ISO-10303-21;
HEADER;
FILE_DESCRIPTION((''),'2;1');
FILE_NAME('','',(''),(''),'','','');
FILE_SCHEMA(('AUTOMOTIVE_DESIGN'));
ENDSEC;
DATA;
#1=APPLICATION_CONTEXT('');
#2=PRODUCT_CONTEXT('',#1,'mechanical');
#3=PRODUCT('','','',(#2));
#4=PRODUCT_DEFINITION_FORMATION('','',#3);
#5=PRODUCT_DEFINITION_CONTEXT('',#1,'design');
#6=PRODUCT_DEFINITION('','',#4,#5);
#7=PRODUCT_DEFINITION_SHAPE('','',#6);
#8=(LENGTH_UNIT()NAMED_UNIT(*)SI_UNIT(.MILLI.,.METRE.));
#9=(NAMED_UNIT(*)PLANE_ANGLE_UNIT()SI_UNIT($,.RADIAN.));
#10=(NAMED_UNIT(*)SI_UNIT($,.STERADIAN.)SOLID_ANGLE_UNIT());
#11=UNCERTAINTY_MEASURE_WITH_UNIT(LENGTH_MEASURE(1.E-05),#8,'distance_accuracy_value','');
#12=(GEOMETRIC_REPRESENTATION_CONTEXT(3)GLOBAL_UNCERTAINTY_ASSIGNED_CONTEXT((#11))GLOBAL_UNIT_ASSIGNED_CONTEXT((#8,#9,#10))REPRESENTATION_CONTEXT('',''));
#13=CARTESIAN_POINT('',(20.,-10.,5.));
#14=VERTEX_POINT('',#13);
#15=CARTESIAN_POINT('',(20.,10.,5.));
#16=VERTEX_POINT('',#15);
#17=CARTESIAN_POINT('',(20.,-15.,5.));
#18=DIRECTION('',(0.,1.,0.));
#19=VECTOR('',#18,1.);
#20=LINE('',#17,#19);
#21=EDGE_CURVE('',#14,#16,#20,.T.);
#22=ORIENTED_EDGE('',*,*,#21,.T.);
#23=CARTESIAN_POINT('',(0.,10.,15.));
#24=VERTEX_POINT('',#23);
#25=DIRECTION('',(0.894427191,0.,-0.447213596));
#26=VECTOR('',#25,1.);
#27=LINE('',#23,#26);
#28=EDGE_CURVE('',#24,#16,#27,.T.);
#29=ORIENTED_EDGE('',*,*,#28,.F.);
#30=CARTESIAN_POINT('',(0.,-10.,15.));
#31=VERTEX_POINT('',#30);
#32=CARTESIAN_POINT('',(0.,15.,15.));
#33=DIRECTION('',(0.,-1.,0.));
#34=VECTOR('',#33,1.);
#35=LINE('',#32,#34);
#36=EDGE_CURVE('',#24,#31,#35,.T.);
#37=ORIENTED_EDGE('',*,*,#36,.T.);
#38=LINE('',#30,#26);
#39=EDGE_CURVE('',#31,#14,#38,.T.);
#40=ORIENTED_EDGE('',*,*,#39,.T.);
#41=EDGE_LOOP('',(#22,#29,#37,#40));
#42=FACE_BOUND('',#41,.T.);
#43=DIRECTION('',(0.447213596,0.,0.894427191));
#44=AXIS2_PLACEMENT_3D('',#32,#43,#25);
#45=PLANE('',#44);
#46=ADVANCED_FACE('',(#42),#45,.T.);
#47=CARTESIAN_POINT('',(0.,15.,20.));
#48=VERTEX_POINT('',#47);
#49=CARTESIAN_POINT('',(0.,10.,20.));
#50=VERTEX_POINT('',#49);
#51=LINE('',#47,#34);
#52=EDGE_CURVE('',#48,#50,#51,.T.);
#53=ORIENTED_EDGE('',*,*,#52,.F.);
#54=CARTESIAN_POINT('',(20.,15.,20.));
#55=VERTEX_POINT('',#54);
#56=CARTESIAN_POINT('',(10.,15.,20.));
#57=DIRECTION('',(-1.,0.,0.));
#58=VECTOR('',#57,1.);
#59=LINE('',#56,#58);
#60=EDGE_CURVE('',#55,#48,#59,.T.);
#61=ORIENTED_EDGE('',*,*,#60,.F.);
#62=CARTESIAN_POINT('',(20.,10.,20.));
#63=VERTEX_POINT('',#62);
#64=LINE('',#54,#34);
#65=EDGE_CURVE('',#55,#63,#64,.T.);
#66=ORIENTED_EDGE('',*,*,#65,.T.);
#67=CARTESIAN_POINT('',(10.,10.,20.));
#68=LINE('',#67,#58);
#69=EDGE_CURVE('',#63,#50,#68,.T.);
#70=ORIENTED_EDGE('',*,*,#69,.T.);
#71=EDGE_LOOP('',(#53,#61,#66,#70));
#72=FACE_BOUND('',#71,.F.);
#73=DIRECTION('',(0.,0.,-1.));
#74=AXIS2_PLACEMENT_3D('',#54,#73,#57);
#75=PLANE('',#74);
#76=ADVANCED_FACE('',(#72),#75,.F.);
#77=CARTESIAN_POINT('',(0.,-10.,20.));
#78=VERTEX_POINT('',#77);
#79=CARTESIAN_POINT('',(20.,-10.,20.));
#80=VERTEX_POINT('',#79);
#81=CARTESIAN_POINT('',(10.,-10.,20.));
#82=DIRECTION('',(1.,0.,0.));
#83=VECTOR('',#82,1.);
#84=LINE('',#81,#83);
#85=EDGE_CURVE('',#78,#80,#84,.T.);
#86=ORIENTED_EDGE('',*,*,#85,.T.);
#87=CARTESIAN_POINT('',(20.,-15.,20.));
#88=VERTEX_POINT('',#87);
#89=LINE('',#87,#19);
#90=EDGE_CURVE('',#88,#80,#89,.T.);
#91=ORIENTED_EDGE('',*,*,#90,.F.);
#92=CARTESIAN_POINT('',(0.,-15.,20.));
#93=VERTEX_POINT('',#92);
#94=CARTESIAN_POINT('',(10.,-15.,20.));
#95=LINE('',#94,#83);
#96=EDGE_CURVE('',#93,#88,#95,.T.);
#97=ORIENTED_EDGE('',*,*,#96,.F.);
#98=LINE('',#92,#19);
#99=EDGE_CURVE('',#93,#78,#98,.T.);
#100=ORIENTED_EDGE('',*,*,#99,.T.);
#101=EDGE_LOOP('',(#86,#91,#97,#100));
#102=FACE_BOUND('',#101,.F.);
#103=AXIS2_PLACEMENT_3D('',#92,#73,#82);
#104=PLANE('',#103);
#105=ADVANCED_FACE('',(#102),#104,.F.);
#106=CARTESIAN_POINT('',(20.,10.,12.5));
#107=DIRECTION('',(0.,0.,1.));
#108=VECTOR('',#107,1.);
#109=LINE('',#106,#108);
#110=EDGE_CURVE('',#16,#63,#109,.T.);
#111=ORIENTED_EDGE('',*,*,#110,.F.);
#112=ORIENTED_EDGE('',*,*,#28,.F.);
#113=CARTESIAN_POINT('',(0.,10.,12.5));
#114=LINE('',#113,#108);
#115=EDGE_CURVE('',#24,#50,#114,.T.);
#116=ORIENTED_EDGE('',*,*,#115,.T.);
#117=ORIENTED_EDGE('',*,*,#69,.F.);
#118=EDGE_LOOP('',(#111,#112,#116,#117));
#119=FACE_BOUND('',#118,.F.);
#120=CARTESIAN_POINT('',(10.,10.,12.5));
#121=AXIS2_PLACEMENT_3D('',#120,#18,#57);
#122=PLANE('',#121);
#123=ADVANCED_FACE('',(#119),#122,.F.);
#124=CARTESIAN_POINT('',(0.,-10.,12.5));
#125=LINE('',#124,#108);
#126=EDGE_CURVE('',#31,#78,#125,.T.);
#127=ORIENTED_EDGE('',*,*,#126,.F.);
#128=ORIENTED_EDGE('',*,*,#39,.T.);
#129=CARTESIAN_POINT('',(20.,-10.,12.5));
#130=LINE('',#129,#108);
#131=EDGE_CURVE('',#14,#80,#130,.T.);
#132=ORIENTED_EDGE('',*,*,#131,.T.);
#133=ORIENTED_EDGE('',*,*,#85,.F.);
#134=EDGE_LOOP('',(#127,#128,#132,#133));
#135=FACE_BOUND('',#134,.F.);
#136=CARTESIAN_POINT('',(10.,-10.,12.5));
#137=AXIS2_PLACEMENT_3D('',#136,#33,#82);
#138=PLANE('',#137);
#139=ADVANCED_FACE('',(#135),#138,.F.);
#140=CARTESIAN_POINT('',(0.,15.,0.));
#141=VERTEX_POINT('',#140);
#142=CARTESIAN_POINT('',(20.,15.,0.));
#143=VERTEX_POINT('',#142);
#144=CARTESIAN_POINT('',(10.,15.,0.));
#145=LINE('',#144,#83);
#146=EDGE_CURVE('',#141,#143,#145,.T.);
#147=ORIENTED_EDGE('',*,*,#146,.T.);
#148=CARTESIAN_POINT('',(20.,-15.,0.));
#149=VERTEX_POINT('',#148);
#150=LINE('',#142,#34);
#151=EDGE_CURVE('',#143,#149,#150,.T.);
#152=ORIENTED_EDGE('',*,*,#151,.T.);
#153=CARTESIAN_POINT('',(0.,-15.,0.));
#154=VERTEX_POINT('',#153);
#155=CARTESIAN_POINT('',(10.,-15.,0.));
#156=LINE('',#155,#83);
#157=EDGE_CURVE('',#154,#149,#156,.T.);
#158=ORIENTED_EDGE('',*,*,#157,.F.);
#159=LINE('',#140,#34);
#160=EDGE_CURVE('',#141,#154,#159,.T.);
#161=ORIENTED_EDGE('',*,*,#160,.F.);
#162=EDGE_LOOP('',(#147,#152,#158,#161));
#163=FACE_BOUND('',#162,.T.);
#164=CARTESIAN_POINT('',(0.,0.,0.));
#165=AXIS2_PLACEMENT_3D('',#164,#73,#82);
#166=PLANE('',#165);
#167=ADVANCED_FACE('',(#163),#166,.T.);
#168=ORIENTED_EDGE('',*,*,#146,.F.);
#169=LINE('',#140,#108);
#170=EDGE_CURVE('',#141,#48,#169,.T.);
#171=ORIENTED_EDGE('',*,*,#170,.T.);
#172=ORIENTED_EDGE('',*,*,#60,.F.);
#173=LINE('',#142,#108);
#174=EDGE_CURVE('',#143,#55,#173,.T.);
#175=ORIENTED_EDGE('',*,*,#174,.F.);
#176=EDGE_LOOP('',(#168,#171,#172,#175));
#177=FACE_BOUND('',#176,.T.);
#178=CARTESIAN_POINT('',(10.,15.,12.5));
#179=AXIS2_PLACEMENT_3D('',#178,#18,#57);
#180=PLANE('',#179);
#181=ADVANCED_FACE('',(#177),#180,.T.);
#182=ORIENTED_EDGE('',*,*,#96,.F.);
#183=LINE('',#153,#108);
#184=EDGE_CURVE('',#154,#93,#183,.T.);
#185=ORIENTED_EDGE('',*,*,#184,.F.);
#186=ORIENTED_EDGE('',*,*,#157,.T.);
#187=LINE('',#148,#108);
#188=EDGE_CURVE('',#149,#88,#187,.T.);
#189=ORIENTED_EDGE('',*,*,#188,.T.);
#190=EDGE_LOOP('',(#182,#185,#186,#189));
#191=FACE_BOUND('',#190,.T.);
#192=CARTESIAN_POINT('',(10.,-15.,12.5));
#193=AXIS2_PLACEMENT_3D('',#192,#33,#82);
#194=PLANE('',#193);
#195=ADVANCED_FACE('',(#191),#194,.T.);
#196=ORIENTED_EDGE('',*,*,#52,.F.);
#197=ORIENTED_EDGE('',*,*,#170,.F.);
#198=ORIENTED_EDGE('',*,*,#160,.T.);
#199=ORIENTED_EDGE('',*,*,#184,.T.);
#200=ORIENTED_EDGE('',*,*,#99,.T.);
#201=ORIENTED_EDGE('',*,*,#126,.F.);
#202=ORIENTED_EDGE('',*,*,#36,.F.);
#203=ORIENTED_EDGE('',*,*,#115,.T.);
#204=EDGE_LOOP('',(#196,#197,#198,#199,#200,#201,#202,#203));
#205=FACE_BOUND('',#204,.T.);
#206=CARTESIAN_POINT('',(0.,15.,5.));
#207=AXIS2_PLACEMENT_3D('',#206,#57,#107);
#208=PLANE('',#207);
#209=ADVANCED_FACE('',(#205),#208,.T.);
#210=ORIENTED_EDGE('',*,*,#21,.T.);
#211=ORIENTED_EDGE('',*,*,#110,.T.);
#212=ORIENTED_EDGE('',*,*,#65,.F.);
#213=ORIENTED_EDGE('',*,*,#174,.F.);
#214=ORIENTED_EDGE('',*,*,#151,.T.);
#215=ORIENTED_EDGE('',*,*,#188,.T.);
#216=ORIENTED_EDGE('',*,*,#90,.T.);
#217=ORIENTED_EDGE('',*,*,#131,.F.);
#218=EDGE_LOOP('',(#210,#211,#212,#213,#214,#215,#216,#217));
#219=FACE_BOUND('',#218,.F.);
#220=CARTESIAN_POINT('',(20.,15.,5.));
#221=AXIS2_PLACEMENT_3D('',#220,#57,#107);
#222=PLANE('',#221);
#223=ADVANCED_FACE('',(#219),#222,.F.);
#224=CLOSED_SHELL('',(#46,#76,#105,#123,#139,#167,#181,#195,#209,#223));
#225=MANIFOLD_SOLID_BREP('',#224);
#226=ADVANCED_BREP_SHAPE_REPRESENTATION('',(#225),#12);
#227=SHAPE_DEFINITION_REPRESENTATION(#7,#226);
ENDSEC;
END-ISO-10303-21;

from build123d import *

# Parameters (mm, degrees)
F0_W     = 20
F0_H     = 5
F1_DEPTH = 15
F2_W     = 20
F2_H     = 15
F3_DEPTH = 5
F5_DEPTH = 25
F7_DEPTH = 5
F8_W     = 20
F8_H     = 15
F9_DEPTH = 5


with BuildPart() as f1:
    # F0 (on Front) → F1 (new body, symmetric)
    with BuildSketch(Plane.XZ):
        with Locations((10, 2.5)):
            Rectangle(F0_W, F0_H)
    extrude(amount=F1_DEPTH, both=True)

    # F2 (on face) → F3 (join)
    with BuildSketch(Plane.XZ.offset(15)):
        with Locations((10, 12.5)):
            Rectangle(F2_W, F2_H)
    extrude(amount=-F3_DEPTH)

    # F4 (on face) → F5 (join)
    with BuildSketch(Plane(origin=(0, 15, 0), x_dir=(-1, 0, 0), z_dir=(0, 1, 0))):
        Polygon((0, 15), (-20, 5), (0, 5), align=None)
    extrude(amount=-F5_DEPTH)

    # F6 (on face) → F7 (cut)
    with BuildSketch(Plane(origin=(0, 15, 0), x_dir=(-1, 0, 0), z_dir=(0, 1, 0))):
        Polygon((0, 15), (-20, 5), (0, 5), align=None)
    extrude(amount=-F7_DEPTH, mode=Mode.SUBTRACT)

    # F8 (on face) → F9 (join)
    with BuildSketch(Plane(origin=(0, 15, 0), x_dir=(-1, 0, 0), z_dir=(0, 1, 0))):
        with Locations((-10, 12.5)):
            Rectangle(F8_W, F8_H)
    extrude(amount=-F9_DEPTH)


solid = f1.part
